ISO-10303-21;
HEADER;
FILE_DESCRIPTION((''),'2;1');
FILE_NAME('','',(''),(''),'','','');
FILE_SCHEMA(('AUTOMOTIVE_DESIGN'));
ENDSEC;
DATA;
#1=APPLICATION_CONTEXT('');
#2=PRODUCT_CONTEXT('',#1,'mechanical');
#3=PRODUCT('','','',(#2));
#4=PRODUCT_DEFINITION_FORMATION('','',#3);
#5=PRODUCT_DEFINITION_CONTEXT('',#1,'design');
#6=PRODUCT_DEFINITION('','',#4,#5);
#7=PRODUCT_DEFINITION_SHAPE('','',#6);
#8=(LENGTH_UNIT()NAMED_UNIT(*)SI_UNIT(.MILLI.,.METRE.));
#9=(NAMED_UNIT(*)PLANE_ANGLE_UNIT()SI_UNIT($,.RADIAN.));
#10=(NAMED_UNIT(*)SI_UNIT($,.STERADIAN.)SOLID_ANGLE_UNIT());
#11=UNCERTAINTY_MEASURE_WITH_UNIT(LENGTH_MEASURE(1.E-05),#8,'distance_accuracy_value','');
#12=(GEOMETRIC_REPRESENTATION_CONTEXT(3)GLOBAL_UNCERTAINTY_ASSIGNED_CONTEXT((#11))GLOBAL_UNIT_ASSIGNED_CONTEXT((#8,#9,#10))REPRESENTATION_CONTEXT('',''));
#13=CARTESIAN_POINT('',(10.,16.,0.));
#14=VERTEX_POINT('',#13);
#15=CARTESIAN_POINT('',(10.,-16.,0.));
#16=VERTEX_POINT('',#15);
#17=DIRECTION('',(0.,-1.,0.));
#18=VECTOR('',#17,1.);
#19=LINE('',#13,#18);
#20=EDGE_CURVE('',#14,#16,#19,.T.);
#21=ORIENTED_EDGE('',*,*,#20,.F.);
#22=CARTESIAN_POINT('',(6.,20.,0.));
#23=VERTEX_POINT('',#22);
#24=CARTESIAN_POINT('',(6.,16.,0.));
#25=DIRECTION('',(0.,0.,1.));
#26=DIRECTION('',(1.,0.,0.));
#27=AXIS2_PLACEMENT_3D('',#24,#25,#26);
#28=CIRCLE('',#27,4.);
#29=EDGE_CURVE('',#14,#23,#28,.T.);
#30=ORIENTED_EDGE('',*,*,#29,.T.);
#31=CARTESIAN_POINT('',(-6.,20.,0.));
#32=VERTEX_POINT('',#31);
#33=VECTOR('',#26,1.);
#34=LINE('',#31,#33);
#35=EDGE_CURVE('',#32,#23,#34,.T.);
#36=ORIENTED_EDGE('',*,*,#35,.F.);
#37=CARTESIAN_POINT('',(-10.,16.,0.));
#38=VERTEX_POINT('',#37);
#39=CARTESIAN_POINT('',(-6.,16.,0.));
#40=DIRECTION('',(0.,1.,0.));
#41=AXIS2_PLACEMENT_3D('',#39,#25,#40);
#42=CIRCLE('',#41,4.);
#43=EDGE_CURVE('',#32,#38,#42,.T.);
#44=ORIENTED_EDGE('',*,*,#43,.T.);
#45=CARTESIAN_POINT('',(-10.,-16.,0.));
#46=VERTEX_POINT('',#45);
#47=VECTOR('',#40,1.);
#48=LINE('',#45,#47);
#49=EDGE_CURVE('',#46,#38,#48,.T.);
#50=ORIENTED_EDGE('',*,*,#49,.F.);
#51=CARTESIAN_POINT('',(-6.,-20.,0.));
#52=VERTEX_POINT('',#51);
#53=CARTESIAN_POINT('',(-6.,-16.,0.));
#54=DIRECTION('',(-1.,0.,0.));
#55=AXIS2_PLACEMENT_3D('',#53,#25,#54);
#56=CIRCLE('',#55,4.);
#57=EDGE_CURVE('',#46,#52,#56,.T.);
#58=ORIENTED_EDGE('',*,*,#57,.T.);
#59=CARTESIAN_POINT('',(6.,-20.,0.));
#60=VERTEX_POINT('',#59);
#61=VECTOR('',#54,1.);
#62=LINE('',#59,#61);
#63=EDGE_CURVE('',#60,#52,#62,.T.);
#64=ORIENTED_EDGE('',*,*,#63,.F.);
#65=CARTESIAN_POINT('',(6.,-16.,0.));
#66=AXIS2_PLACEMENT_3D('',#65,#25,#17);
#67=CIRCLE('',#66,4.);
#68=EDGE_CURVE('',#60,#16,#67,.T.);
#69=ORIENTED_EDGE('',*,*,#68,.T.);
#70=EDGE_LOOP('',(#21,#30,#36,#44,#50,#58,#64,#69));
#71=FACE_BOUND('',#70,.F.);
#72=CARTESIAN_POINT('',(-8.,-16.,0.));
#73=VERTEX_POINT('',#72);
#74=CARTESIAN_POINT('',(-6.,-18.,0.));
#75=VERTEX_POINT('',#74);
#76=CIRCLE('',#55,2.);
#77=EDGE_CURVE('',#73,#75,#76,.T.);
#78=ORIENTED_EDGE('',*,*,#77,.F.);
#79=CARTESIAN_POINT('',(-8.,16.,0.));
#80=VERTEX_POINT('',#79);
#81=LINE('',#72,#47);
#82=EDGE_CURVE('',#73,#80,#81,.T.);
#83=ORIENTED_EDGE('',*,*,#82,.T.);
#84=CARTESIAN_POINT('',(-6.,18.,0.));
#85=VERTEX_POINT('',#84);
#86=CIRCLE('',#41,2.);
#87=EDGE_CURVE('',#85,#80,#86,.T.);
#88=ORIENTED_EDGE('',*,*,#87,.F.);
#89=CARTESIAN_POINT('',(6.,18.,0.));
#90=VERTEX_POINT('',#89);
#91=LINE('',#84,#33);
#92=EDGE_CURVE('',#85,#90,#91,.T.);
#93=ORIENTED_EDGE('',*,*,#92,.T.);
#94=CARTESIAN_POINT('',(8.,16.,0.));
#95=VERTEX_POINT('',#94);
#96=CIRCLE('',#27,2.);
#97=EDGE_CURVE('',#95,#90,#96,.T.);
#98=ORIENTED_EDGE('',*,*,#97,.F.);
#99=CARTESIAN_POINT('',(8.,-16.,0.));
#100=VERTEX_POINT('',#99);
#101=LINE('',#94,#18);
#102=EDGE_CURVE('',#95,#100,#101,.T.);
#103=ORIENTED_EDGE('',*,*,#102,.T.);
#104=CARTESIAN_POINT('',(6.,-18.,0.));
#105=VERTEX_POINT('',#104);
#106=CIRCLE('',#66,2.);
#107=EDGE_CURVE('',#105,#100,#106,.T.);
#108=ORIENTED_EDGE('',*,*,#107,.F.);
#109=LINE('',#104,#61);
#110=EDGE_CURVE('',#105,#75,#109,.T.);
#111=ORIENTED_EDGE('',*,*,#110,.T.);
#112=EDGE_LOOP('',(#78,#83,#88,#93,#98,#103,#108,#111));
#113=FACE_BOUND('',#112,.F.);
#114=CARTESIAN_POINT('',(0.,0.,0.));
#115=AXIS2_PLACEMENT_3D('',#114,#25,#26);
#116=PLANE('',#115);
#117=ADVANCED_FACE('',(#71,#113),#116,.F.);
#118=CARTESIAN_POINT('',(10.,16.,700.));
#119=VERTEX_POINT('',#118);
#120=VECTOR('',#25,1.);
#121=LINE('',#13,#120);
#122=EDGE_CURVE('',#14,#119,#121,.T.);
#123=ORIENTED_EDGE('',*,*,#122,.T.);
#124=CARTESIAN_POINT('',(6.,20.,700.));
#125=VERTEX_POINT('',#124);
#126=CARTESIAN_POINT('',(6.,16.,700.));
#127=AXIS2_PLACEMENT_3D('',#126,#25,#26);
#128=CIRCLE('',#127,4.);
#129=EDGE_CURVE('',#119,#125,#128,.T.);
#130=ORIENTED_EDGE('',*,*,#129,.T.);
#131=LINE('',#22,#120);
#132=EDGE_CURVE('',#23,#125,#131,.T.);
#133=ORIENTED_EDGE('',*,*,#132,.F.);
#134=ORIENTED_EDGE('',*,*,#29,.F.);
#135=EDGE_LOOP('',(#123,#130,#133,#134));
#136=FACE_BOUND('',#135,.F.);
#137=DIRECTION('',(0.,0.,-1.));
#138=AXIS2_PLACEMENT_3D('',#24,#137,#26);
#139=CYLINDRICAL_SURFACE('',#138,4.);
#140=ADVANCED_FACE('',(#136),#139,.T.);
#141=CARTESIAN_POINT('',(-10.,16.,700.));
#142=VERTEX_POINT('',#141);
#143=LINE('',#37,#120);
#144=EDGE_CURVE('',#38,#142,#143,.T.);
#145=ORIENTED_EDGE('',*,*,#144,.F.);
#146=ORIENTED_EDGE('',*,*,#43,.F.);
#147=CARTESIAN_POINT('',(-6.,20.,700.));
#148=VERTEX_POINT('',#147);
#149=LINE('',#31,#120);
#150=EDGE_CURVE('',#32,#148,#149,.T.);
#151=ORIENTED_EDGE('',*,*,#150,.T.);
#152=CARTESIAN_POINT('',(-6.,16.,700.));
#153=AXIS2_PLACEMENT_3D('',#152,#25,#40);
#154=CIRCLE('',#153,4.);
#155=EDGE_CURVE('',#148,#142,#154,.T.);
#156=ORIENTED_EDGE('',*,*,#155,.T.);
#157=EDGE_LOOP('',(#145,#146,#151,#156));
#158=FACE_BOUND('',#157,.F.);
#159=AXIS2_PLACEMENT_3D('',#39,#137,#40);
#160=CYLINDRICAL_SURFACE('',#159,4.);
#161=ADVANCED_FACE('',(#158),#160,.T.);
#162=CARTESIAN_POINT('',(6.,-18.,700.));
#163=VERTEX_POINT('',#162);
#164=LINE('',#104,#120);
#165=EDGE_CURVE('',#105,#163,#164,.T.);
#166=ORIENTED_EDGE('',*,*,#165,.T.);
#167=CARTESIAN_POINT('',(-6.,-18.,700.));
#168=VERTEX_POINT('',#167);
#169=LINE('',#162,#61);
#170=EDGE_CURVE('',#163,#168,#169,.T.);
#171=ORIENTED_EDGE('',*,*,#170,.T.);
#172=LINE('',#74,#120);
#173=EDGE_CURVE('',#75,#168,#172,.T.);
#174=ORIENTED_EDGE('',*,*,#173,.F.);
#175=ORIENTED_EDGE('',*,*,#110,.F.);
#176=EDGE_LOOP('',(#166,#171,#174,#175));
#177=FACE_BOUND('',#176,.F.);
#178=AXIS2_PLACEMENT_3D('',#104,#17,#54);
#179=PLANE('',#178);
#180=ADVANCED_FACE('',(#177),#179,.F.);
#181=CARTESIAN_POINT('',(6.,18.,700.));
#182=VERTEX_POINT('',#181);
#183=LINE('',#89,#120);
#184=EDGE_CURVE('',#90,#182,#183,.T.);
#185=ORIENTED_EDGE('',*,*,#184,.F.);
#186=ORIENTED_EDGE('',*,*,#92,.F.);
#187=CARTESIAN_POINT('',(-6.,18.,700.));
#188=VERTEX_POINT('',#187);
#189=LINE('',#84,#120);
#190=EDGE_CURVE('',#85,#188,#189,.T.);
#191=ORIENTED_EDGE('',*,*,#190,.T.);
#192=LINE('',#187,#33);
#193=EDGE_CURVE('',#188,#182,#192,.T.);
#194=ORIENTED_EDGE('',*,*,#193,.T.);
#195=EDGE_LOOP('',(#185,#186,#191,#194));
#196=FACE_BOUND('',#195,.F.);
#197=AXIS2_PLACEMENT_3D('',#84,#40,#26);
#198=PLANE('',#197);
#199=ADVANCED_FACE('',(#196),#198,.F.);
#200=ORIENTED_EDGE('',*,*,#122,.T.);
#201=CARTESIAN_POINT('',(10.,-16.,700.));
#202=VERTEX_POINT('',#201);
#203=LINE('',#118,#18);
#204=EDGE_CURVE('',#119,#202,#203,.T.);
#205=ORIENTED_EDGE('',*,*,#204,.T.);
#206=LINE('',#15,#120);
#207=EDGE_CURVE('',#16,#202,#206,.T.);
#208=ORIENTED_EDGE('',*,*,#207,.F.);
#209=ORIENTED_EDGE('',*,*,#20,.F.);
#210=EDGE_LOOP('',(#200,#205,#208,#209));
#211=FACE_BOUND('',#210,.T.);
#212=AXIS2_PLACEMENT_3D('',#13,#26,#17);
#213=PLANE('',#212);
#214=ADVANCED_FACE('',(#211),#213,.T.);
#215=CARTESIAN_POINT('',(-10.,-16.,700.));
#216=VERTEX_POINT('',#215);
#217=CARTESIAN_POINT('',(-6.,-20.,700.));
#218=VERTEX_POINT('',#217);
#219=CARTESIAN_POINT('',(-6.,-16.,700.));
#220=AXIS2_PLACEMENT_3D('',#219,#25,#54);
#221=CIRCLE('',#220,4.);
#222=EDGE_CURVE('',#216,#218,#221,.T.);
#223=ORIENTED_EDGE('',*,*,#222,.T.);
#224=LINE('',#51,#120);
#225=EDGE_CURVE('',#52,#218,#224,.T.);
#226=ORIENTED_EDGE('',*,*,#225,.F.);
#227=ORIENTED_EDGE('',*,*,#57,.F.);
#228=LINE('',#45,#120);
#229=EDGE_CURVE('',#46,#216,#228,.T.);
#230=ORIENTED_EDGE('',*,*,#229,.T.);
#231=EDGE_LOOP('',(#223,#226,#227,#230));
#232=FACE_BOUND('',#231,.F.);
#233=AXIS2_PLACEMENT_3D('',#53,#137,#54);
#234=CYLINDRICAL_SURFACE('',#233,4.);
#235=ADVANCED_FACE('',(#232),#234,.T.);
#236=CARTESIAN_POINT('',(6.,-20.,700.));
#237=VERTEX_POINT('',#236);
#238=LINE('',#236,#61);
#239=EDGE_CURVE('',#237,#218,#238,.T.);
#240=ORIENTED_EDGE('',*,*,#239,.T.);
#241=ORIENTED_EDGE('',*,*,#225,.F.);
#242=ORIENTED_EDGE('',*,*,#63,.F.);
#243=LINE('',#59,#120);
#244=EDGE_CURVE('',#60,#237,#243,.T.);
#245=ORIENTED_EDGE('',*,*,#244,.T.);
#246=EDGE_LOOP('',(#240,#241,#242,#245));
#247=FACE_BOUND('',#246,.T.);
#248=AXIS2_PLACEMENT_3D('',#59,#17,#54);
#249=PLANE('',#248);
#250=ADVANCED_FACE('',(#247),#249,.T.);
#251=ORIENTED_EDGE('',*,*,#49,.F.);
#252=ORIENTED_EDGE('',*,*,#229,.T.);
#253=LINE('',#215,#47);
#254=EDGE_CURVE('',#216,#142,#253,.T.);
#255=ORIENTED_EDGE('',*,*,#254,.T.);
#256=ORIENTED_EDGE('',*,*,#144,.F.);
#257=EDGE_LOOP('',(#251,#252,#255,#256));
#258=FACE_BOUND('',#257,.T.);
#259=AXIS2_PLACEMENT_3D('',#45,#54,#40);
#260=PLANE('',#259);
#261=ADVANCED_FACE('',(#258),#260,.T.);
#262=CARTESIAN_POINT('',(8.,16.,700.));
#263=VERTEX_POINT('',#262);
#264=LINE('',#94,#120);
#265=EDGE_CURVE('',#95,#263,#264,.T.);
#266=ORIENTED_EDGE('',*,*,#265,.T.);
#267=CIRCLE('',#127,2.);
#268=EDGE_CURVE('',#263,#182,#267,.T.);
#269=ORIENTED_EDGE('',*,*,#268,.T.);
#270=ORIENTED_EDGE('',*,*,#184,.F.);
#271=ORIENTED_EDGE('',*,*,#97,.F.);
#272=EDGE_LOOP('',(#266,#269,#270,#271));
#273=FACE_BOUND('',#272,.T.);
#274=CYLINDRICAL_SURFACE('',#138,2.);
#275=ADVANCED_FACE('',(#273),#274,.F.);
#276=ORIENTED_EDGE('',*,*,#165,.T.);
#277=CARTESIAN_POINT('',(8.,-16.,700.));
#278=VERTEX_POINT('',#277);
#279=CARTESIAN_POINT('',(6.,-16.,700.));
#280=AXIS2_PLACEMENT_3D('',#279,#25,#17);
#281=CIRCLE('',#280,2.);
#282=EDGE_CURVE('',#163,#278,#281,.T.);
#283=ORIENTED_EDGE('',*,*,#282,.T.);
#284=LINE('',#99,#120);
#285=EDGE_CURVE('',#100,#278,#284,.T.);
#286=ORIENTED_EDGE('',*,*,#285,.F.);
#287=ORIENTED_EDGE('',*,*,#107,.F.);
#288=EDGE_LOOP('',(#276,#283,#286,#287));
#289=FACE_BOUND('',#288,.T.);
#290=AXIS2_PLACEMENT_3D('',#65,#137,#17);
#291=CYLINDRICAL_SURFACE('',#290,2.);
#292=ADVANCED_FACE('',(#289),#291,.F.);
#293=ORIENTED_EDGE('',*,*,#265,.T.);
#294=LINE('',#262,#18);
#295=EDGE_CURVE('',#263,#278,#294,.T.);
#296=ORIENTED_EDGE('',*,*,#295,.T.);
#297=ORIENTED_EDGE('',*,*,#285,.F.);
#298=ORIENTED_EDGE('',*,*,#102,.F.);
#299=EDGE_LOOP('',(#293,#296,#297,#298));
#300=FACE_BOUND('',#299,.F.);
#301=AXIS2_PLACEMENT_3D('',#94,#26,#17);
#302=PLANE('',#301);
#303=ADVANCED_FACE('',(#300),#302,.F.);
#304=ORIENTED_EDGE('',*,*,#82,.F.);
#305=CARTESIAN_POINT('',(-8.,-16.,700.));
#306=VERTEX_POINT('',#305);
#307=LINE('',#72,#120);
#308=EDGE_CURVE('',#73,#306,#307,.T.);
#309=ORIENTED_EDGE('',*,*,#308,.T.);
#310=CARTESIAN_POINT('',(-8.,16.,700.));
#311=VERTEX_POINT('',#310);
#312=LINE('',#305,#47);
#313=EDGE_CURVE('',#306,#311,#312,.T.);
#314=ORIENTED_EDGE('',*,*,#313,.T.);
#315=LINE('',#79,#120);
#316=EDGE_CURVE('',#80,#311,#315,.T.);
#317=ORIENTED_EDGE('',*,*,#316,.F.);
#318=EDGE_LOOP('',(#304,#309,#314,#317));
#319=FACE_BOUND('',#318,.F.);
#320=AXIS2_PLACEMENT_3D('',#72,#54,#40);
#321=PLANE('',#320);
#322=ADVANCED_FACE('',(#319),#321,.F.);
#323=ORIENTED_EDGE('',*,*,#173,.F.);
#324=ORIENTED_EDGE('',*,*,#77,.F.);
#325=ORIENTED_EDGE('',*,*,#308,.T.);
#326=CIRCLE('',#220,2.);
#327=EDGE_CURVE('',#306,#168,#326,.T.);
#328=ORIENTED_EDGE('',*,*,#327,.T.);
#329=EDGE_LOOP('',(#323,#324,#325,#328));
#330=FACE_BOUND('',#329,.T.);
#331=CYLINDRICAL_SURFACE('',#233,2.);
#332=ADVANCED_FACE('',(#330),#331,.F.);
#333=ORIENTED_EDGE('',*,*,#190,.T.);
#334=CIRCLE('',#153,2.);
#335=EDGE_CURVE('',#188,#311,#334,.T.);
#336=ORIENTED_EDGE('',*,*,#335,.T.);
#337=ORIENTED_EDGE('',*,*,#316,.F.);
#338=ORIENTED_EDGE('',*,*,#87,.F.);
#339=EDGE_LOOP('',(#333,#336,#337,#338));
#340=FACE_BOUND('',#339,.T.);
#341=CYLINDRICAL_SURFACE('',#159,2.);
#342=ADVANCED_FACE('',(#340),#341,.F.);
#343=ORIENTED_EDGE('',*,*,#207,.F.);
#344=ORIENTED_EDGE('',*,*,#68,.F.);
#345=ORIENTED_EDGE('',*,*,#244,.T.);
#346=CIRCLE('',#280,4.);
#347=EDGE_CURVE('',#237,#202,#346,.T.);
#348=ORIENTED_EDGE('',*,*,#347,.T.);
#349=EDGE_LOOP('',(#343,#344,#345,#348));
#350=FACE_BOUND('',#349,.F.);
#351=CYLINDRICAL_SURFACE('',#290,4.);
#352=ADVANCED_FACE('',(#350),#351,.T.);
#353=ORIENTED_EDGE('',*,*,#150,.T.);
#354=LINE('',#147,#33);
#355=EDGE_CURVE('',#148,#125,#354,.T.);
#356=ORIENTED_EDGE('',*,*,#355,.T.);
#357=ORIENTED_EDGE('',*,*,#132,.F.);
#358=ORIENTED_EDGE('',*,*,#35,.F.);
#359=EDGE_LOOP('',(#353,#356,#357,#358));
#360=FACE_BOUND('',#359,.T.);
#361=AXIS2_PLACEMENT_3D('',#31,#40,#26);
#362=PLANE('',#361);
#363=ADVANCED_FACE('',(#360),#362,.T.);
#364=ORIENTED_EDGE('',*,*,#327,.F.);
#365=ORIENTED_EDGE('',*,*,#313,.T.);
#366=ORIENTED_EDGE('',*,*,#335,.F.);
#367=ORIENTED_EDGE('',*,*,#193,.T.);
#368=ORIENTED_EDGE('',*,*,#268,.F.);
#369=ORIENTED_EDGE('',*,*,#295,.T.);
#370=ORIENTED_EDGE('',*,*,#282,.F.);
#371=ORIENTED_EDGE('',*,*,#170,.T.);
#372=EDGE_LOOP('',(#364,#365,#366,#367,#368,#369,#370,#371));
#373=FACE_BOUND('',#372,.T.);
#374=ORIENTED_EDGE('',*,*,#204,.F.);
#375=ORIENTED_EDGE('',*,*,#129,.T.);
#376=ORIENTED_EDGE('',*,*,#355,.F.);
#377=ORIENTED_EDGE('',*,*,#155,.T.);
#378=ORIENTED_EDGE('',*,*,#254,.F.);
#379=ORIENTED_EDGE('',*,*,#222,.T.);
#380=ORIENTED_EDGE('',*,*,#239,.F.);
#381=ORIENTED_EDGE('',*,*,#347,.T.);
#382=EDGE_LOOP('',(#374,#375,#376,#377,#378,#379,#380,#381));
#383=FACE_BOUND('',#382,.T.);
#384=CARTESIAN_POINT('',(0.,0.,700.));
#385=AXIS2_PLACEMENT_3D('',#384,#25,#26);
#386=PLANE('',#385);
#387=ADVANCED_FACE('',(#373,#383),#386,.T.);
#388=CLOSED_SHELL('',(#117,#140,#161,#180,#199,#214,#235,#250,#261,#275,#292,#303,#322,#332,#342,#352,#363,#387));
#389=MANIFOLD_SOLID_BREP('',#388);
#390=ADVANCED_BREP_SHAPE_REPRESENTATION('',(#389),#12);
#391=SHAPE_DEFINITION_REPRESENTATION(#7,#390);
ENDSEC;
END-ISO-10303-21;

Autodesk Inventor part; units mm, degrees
ref_plane "YZ Plane" through (0, 0, 0) normal (1, 0, 0) x (0, 1, 0)
ref_plane "Start Plane" through (0, 0, 0) normal (0, 0, 1) x (1, 0, 0)
ref_plane "End Plane" through (0, 0, 700) normal (0, 0, 1) x (1, 0, 0)
sketch "Sketch" plane through (0, 0, 0) normal (0, 0, 1) x (1, 0, 0)
  line L0 (-10, -16) -> (-10, 16)
  line L1 (-6, 20) -> (6, 20)
  line L2 (10, 16) -> (10, -16)
  line L3 (6, -20) -> (-6, -20)
  arc A0 (-10, -16) -> (-6, -20) centre (-6, -16) ccw
  arc A1 (10, 16) -> (6, 20) centre (6, 16) ccw
  arc A2 (-6, 20) -> (-10, 16) centre (-6, 16) ccw
  arc A3 (6, -20) -> (10, -16) centre (6, -16) ccw
  arc A4 (-6, 18) -> (-8, 16) centre (-6, 16) ccw
  line L4 (-6, 18) -> (6, 18)
  arc A5 (8, 16) -> (6, 18) centre (6, 16) ccw
  line L5 (8, 16) -> (8, -16)
  arc A6 (6, -18) -> (8, -16) centre (6, -16) ccw
  line L6 (6, -18) -> (-6, -18)
  arc A7 (-8, -16) -> (-6, -18) centre (-6, -16) ccw
  line L7 (-8, -16) -> (-8, 16)
  line L8 (0, 29.1598) -> (0, -29.1598) construction
  line L9 (-15.1598, 0) -> (15.1598, 0) construction
  dimension "d7" = 4
  dimension "d9" = 20
  dimension "d11" = 40
  dimension "d12" = 2
  dimension "d15" = 10
  dimension "d16" = 20
extrude "Body" add sketch "Sketch" along normal up to surface (700 mm away) from surface at 0
sketch "Sketch3" plane through (0, 0, 0) normal (0, 0, 1) x (1, 0, 0)
  line L0 (0, 0) -> (10, 0)
ref_plane "Work Plane3" through (0, 0, 0) normal (0, -1, 0) x (1, 0, 0)
sketch "Sketch4" plane through (0, 0, 0) normal (0, -1, 0) x (1, 0, 0)
  line L0 (-2, 0) -> (12, 0) projected
  line L1 (-2, 700) -> (12, 700) projected
  dimension "d18" = 700
equation "\"d7\" = G_IR"
equation "\"d9\" = G_W"
equation "\"d11\" = G_H"
equation "\"d12\" = G_T"
equation "\"d15\" = 0.5 * d9"
equation "\"d16\" = 0.5 * d11"
equation "\"d3\" = G_L"
equation "\"G_W\" = 20"
equation "\"G_H\" = 40"
equation "\"G_T\" = 2"
equation "\"G_IR\" = 4"
equation "\"G_L\" = d18"
equation "\"G_OFFSET_START\" = 0"
equation "\"G_OFFSET_END\" = 0"
properties part number "ISO 4019 - 40x20x2 - 700" material "Steel, Mild"
